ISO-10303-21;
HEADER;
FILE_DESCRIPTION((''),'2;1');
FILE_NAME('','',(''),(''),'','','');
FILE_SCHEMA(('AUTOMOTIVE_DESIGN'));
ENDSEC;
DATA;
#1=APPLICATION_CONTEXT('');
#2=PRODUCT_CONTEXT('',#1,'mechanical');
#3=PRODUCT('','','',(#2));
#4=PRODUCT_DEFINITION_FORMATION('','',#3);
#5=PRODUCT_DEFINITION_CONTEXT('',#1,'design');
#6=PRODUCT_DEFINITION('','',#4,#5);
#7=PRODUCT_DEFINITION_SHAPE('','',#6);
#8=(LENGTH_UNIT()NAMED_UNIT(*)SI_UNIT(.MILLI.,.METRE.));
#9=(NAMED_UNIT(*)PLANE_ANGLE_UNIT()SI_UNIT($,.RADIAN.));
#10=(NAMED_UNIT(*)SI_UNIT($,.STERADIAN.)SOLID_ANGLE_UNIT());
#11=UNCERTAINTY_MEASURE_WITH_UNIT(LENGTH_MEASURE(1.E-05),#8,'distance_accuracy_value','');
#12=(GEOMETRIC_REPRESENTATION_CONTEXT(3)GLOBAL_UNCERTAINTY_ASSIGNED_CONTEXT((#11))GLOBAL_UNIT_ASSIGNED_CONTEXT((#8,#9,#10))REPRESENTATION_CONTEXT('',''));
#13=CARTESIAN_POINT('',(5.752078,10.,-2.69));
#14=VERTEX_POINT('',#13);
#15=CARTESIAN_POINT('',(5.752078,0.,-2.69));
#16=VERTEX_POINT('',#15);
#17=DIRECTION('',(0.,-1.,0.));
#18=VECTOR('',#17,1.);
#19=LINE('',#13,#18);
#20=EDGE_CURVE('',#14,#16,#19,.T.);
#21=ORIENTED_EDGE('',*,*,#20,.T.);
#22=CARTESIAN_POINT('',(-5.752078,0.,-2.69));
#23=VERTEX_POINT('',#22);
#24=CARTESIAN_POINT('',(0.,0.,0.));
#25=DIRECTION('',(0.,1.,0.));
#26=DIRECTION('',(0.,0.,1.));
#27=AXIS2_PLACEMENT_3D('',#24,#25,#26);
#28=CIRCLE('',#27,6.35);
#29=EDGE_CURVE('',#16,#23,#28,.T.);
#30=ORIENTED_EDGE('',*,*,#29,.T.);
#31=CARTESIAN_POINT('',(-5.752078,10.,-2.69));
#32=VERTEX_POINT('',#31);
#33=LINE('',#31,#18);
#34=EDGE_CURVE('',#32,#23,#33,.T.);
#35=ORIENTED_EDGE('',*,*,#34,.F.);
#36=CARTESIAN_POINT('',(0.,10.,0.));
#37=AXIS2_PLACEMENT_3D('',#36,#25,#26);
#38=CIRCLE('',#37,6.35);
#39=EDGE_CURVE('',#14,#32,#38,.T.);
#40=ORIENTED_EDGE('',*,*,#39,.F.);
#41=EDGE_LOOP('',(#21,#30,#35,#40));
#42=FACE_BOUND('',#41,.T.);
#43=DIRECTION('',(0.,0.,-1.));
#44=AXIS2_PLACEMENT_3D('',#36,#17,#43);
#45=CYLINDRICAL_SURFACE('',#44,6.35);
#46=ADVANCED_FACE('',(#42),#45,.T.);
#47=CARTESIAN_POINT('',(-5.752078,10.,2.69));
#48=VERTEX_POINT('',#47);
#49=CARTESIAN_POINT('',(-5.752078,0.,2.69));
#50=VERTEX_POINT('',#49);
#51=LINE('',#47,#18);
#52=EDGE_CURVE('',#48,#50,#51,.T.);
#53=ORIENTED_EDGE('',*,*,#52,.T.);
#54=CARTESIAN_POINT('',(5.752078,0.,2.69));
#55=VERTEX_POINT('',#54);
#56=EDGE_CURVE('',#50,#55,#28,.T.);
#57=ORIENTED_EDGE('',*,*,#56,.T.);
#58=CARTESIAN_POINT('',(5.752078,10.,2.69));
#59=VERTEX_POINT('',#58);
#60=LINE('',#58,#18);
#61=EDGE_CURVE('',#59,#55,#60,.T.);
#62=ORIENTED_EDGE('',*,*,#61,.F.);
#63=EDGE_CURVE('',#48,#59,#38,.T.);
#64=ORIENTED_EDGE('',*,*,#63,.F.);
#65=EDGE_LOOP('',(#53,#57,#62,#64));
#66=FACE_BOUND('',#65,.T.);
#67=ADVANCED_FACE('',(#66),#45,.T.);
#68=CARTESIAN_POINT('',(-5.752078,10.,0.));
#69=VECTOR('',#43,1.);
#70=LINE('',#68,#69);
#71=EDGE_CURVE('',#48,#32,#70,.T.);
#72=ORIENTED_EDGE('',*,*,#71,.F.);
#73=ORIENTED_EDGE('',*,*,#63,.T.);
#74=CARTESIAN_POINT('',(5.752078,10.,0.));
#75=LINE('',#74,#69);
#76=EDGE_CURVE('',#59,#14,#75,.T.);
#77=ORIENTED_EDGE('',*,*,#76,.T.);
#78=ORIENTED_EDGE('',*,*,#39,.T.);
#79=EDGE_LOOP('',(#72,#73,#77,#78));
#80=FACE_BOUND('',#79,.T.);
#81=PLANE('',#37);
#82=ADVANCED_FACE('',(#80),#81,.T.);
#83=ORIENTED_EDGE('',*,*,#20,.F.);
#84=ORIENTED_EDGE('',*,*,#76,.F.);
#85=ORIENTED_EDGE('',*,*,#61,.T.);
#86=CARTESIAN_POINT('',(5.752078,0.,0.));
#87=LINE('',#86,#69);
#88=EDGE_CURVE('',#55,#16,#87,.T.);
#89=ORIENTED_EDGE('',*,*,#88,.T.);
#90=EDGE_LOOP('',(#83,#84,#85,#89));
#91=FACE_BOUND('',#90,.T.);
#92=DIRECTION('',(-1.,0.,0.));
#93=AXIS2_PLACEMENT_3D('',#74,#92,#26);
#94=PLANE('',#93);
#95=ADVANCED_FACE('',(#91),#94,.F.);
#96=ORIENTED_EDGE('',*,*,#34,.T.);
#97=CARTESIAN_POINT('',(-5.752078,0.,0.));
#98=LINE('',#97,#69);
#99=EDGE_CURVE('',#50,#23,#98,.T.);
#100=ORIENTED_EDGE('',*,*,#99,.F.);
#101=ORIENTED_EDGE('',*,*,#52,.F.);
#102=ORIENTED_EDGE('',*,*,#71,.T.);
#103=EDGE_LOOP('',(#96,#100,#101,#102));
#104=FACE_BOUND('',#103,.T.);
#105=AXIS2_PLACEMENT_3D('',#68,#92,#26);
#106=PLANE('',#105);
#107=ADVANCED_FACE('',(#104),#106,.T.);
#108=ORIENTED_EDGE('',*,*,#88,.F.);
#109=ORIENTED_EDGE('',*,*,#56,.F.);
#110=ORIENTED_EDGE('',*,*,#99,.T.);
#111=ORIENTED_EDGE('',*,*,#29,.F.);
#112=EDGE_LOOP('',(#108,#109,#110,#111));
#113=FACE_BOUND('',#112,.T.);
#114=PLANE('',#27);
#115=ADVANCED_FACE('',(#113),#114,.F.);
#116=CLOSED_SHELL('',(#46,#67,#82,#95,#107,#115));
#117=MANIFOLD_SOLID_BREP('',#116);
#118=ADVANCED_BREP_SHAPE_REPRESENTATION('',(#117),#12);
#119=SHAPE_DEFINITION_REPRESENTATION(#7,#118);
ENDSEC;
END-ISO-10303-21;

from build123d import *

# Parameters (mm, degrees)
BOSS_EXTRUDE1_DEPTH = 10


with BuildPart() as part:
    # Sketch1 → Boss-Extrude1 (new body)
    with BuildSketch(Plane(origin=(0, 0, 0), x_dir=(1, 0, 0), z_dir=(0, 1, 0))):
        with BuildLine():
            ThreePointArc((-5.752077885, -2.69), (0, -6.35), (5.752077885, -2.69))
            Line((5.752077885, -2.69), (5.752077885, 2.69))
            ThreePointArc((5.752077885, 2.69), (0, 6.35), (-5.752077885, 2.69))
            Line((-5.752077885, 2.69), (-5.752077885, -2.69))
        make_face()
    extrude(amount=BOSS_EXTRUDE1_DEPTH)


solid = part.part
